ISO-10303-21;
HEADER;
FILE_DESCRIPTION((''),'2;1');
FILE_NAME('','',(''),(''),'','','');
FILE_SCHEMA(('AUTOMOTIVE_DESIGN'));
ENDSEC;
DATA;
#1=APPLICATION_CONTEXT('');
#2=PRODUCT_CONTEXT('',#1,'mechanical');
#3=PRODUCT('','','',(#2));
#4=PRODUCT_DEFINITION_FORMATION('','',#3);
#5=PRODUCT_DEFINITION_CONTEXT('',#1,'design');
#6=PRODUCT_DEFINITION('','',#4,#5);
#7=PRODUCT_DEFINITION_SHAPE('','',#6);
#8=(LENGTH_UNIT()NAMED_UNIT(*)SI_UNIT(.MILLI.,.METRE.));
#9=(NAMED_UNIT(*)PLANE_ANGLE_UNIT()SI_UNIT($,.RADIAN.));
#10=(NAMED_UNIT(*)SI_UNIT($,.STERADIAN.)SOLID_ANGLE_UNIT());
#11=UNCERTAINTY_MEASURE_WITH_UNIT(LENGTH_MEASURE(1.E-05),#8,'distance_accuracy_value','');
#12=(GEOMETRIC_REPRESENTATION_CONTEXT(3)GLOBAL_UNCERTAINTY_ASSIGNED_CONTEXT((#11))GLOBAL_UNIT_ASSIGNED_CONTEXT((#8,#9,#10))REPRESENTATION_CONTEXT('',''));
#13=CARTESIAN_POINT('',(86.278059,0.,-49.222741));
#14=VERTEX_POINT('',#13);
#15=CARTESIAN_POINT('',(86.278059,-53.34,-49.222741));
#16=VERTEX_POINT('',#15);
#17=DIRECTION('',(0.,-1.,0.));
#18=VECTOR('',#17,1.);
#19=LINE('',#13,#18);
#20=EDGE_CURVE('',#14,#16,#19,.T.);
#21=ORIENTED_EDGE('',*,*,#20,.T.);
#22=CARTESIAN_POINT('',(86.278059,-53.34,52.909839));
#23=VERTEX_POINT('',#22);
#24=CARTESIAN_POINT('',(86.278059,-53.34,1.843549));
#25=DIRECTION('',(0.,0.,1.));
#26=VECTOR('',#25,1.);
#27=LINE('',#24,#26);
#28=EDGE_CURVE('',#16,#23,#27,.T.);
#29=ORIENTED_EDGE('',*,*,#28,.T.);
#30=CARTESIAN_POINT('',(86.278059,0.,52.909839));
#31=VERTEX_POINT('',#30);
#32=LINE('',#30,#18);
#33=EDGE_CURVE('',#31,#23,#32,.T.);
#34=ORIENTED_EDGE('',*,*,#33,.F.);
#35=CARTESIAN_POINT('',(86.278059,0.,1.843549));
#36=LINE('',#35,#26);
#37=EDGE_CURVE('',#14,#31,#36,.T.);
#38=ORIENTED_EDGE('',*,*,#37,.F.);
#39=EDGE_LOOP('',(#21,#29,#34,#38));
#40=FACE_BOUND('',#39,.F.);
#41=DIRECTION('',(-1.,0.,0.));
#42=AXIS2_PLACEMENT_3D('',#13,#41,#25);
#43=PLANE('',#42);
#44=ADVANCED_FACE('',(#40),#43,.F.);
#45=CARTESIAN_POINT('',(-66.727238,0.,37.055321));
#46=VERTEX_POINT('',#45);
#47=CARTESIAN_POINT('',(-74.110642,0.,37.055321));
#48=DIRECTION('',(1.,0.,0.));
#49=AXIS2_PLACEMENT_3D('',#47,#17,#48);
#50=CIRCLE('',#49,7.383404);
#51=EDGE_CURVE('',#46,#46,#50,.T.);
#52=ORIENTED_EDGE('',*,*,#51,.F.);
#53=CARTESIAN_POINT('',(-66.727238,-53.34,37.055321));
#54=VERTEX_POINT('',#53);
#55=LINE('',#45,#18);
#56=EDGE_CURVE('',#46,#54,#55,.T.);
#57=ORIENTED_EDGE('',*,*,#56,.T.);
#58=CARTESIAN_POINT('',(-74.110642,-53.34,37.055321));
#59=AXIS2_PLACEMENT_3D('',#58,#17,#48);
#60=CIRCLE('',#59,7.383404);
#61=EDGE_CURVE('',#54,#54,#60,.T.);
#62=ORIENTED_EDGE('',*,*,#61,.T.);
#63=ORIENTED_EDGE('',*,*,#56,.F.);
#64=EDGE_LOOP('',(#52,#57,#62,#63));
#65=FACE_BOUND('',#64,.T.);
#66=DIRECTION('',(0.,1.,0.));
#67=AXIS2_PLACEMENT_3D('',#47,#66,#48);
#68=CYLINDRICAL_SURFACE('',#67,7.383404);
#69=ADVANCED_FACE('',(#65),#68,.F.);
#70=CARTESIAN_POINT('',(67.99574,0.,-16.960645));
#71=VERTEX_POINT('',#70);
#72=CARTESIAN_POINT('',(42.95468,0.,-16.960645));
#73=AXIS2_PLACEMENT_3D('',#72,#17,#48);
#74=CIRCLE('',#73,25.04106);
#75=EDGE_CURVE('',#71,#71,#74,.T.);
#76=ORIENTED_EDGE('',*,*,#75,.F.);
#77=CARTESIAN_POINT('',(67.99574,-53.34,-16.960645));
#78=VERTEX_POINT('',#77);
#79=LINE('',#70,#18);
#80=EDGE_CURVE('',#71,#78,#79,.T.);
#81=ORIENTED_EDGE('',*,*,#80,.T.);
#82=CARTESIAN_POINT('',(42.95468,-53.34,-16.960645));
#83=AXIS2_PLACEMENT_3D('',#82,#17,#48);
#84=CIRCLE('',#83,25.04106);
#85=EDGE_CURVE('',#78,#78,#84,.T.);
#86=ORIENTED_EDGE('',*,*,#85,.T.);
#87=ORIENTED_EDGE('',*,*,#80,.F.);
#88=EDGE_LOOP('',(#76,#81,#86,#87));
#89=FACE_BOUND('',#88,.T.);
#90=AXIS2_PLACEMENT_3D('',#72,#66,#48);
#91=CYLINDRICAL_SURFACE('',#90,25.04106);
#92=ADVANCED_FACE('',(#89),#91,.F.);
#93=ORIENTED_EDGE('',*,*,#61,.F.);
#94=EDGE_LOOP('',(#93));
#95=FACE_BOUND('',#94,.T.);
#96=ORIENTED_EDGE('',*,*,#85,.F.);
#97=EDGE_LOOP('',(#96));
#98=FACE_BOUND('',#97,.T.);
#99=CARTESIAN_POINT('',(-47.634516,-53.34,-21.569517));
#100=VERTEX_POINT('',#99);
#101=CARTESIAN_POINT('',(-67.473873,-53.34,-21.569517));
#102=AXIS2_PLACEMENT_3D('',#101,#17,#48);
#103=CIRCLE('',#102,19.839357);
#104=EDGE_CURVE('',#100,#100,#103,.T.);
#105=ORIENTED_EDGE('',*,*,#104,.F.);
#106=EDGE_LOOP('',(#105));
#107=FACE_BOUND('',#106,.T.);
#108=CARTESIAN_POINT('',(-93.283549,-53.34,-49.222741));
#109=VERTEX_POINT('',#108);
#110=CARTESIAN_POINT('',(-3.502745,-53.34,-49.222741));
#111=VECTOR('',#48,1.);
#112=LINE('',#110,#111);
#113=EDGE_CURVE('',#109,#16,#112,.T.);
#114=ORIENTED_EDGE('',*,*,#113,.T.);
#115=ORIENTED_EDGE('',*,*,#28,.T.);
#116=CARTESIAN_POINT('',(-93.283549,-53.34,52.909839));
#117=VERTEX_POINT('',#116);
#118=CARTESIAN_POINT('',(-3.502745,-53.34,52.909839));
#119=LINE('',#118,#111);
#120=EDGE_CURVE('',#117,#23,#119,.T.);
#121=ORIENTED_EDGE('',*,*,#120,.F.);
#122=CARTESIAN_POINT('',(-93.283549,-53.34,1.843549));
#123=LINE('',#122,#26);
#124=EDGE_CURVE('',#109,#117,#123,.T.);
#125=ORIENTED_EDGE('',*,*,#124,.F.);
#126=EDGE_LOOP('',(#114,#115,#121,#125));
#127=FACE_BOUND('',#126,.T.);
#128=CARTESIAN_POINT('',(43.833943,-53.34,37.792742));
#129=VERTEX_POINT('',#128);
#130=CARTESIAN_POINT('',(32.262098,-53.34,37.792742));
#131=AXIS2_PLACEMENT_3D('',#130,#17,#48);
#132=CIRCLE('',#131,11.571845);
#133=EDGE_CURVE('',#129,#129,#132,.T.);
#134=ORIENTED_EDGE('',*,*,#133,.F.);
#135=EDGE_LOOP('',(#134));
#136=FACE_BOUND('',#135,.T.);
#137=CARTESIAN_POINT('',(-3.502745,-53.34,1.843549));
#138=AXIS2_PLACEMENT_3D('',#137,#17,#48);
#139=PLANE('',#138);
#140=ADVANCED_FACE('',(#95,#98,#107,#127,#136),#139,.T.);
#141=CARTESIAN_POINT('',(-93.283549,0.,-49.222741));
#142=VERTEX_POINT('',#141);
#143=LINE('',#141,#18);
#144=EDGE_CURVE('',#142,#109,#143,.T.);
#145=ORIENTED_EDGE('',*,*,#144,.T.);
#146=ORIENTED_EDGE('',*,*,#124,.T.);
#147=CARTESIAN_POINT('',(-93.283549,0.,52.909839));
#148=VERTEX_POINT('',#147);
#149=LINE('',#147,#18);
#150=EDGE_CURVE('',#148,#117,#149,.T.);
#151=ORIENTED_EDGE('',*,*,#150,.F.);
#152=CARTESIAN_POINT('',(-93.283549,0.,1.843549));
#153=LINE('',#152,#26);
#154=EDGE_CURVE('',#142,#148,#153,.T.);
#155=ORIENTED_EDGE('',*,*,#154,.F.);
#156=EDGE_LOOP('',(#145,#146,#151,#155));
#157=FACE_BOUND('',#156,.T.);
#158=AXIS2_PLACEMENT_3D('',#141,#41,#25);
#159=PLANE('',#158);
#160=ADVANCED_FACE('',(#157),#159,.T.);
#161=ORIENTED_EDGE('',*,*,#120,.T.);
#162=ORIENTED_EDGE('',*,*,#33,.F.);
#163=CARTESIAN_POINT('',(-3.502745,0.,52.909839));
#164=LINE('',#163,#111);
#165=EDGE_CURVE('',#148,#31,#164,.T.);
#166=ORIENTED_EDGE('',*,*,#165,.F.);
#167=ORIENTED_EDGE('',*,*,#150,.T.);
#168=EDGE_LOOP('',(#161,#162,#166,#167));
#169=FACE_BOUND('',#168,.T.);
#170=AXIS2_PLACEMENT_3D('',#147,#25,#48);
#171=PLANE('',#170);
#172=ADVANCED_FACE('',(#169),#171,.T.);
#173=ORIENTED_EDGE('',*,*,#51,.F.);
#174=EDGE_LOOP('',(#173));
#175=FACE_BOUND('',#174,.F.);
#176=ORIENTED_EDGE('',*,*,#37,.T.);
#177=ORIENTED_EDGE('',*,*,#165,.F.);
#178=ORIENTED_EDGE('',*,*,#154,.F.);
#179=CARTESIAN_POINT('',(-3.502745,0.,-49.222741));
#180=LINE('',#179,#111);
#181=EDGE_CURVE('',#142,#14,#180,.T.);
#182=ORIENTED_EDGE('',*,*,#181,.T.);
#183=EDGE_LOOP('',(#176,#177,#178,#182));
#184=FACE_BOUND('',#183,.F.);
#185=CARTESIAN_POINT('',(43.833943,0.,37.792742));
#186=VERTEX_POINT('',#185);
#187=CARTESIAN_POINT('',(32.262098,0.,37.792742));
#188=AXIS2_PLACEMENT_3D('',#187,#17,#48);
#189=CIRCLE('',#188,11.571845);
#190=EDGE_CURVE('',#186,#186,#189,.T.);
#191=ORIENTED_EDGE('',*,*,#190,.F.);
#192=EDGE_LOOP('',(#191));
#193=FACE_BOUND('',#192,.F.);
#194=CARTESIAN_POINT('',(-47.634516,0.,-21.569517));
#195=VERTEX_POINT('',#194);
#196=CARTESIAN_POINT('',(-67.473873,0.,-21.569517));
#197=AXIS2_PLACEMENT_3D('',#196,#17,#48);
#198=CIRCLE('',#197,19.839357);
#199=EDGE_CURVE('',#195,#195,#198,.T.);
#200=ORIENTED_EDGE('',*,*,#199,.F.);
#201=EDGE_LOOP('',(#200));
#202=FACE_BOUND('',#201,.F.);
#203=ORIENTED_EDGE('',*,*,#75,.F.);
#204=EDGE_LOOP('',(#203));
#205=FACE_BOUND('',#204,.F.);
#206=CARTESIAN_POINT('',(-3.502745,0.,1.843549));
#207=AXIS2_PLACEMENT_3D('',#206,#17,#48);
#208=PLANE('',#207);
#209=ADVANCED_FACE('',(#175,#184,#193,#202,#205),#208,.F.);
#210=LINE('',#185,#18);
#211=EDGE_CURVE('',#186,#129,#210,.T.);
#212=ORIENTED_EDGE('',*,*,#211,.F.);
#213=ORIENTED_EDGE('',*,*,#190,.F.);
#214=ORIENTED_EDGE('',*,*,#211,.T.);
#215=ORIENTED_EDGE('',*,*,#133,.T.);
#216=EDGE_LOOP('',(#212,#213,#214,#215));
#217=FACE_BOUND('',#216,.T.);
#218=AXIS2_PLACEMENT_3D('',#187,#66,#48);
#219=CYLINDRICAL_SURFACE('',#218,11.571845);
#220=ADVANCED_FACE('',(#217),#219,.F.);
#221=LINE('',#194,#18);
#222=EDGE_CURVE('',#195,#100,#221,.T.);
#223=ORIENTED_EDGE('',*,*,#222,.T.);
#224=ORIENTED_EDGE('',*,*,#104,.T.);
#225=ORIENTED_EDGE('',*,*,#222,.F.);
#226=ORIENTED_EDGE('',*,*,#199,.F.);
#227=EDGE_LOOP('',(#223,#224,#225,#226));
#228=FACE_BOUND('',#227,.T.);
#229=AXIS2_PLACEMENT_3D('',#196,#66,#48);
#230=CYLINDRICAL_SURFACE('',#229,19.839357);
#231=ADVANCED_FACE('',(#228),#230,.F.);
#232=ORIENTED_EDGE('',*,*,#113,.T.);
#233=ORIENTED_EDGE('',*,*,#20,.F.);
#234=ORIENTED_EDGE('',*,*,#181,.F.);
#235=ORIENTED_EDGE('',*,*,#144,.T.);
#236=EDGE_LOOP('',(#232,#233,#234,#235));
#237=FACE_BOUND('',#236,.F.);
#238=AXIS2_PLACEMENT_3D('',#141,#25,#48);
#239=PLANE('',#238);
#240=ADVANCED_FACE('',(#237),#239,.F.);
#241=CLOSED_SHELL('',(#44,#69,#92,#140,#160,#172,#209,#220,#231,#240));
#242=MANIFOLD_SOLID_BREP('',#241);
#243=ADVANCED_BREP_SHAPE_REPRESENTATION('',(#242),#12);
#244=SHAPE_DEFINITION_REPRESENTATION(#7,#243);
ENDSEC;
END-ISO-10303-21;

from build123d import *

# Parameters (mm, degrees)
F0_W     = 179.561608
F0_H     = 102.132581
F0_R     = 19.839357
F0_R_2   = 25.04106
F0_R_3   = 7.383404
F0_R_4   = 11.571845
F1_DEPTH = 53.34


with BuildPart() as f1:
    # F0 (on Front) → F1 (new body)
    with BuildSketch(Plane.XZ):
        with Locations((-3.502745, 1.843549)):
            Rectangle(F0_W, F0_H)
        with Locations((-67.473873, -21.569517)):
            Circle(F0_R, mode=Mode.SUBTRACT)
        with Locations((42.95468, -16.960645)):
            Circle(F0_R_2, mode=Mode.SUBTRACT)
        with Locations((-74.110642, 37.055321)):
            Circle(F0_R_3, mode=Mode.SUBTRACT)
        with Locations((32.262098, 37.792742)):
            Circle(F0_R_4, mode=Mode.SUBTRACT)
    extrude(amount=F1_DEPTH)


solid = f1.part
